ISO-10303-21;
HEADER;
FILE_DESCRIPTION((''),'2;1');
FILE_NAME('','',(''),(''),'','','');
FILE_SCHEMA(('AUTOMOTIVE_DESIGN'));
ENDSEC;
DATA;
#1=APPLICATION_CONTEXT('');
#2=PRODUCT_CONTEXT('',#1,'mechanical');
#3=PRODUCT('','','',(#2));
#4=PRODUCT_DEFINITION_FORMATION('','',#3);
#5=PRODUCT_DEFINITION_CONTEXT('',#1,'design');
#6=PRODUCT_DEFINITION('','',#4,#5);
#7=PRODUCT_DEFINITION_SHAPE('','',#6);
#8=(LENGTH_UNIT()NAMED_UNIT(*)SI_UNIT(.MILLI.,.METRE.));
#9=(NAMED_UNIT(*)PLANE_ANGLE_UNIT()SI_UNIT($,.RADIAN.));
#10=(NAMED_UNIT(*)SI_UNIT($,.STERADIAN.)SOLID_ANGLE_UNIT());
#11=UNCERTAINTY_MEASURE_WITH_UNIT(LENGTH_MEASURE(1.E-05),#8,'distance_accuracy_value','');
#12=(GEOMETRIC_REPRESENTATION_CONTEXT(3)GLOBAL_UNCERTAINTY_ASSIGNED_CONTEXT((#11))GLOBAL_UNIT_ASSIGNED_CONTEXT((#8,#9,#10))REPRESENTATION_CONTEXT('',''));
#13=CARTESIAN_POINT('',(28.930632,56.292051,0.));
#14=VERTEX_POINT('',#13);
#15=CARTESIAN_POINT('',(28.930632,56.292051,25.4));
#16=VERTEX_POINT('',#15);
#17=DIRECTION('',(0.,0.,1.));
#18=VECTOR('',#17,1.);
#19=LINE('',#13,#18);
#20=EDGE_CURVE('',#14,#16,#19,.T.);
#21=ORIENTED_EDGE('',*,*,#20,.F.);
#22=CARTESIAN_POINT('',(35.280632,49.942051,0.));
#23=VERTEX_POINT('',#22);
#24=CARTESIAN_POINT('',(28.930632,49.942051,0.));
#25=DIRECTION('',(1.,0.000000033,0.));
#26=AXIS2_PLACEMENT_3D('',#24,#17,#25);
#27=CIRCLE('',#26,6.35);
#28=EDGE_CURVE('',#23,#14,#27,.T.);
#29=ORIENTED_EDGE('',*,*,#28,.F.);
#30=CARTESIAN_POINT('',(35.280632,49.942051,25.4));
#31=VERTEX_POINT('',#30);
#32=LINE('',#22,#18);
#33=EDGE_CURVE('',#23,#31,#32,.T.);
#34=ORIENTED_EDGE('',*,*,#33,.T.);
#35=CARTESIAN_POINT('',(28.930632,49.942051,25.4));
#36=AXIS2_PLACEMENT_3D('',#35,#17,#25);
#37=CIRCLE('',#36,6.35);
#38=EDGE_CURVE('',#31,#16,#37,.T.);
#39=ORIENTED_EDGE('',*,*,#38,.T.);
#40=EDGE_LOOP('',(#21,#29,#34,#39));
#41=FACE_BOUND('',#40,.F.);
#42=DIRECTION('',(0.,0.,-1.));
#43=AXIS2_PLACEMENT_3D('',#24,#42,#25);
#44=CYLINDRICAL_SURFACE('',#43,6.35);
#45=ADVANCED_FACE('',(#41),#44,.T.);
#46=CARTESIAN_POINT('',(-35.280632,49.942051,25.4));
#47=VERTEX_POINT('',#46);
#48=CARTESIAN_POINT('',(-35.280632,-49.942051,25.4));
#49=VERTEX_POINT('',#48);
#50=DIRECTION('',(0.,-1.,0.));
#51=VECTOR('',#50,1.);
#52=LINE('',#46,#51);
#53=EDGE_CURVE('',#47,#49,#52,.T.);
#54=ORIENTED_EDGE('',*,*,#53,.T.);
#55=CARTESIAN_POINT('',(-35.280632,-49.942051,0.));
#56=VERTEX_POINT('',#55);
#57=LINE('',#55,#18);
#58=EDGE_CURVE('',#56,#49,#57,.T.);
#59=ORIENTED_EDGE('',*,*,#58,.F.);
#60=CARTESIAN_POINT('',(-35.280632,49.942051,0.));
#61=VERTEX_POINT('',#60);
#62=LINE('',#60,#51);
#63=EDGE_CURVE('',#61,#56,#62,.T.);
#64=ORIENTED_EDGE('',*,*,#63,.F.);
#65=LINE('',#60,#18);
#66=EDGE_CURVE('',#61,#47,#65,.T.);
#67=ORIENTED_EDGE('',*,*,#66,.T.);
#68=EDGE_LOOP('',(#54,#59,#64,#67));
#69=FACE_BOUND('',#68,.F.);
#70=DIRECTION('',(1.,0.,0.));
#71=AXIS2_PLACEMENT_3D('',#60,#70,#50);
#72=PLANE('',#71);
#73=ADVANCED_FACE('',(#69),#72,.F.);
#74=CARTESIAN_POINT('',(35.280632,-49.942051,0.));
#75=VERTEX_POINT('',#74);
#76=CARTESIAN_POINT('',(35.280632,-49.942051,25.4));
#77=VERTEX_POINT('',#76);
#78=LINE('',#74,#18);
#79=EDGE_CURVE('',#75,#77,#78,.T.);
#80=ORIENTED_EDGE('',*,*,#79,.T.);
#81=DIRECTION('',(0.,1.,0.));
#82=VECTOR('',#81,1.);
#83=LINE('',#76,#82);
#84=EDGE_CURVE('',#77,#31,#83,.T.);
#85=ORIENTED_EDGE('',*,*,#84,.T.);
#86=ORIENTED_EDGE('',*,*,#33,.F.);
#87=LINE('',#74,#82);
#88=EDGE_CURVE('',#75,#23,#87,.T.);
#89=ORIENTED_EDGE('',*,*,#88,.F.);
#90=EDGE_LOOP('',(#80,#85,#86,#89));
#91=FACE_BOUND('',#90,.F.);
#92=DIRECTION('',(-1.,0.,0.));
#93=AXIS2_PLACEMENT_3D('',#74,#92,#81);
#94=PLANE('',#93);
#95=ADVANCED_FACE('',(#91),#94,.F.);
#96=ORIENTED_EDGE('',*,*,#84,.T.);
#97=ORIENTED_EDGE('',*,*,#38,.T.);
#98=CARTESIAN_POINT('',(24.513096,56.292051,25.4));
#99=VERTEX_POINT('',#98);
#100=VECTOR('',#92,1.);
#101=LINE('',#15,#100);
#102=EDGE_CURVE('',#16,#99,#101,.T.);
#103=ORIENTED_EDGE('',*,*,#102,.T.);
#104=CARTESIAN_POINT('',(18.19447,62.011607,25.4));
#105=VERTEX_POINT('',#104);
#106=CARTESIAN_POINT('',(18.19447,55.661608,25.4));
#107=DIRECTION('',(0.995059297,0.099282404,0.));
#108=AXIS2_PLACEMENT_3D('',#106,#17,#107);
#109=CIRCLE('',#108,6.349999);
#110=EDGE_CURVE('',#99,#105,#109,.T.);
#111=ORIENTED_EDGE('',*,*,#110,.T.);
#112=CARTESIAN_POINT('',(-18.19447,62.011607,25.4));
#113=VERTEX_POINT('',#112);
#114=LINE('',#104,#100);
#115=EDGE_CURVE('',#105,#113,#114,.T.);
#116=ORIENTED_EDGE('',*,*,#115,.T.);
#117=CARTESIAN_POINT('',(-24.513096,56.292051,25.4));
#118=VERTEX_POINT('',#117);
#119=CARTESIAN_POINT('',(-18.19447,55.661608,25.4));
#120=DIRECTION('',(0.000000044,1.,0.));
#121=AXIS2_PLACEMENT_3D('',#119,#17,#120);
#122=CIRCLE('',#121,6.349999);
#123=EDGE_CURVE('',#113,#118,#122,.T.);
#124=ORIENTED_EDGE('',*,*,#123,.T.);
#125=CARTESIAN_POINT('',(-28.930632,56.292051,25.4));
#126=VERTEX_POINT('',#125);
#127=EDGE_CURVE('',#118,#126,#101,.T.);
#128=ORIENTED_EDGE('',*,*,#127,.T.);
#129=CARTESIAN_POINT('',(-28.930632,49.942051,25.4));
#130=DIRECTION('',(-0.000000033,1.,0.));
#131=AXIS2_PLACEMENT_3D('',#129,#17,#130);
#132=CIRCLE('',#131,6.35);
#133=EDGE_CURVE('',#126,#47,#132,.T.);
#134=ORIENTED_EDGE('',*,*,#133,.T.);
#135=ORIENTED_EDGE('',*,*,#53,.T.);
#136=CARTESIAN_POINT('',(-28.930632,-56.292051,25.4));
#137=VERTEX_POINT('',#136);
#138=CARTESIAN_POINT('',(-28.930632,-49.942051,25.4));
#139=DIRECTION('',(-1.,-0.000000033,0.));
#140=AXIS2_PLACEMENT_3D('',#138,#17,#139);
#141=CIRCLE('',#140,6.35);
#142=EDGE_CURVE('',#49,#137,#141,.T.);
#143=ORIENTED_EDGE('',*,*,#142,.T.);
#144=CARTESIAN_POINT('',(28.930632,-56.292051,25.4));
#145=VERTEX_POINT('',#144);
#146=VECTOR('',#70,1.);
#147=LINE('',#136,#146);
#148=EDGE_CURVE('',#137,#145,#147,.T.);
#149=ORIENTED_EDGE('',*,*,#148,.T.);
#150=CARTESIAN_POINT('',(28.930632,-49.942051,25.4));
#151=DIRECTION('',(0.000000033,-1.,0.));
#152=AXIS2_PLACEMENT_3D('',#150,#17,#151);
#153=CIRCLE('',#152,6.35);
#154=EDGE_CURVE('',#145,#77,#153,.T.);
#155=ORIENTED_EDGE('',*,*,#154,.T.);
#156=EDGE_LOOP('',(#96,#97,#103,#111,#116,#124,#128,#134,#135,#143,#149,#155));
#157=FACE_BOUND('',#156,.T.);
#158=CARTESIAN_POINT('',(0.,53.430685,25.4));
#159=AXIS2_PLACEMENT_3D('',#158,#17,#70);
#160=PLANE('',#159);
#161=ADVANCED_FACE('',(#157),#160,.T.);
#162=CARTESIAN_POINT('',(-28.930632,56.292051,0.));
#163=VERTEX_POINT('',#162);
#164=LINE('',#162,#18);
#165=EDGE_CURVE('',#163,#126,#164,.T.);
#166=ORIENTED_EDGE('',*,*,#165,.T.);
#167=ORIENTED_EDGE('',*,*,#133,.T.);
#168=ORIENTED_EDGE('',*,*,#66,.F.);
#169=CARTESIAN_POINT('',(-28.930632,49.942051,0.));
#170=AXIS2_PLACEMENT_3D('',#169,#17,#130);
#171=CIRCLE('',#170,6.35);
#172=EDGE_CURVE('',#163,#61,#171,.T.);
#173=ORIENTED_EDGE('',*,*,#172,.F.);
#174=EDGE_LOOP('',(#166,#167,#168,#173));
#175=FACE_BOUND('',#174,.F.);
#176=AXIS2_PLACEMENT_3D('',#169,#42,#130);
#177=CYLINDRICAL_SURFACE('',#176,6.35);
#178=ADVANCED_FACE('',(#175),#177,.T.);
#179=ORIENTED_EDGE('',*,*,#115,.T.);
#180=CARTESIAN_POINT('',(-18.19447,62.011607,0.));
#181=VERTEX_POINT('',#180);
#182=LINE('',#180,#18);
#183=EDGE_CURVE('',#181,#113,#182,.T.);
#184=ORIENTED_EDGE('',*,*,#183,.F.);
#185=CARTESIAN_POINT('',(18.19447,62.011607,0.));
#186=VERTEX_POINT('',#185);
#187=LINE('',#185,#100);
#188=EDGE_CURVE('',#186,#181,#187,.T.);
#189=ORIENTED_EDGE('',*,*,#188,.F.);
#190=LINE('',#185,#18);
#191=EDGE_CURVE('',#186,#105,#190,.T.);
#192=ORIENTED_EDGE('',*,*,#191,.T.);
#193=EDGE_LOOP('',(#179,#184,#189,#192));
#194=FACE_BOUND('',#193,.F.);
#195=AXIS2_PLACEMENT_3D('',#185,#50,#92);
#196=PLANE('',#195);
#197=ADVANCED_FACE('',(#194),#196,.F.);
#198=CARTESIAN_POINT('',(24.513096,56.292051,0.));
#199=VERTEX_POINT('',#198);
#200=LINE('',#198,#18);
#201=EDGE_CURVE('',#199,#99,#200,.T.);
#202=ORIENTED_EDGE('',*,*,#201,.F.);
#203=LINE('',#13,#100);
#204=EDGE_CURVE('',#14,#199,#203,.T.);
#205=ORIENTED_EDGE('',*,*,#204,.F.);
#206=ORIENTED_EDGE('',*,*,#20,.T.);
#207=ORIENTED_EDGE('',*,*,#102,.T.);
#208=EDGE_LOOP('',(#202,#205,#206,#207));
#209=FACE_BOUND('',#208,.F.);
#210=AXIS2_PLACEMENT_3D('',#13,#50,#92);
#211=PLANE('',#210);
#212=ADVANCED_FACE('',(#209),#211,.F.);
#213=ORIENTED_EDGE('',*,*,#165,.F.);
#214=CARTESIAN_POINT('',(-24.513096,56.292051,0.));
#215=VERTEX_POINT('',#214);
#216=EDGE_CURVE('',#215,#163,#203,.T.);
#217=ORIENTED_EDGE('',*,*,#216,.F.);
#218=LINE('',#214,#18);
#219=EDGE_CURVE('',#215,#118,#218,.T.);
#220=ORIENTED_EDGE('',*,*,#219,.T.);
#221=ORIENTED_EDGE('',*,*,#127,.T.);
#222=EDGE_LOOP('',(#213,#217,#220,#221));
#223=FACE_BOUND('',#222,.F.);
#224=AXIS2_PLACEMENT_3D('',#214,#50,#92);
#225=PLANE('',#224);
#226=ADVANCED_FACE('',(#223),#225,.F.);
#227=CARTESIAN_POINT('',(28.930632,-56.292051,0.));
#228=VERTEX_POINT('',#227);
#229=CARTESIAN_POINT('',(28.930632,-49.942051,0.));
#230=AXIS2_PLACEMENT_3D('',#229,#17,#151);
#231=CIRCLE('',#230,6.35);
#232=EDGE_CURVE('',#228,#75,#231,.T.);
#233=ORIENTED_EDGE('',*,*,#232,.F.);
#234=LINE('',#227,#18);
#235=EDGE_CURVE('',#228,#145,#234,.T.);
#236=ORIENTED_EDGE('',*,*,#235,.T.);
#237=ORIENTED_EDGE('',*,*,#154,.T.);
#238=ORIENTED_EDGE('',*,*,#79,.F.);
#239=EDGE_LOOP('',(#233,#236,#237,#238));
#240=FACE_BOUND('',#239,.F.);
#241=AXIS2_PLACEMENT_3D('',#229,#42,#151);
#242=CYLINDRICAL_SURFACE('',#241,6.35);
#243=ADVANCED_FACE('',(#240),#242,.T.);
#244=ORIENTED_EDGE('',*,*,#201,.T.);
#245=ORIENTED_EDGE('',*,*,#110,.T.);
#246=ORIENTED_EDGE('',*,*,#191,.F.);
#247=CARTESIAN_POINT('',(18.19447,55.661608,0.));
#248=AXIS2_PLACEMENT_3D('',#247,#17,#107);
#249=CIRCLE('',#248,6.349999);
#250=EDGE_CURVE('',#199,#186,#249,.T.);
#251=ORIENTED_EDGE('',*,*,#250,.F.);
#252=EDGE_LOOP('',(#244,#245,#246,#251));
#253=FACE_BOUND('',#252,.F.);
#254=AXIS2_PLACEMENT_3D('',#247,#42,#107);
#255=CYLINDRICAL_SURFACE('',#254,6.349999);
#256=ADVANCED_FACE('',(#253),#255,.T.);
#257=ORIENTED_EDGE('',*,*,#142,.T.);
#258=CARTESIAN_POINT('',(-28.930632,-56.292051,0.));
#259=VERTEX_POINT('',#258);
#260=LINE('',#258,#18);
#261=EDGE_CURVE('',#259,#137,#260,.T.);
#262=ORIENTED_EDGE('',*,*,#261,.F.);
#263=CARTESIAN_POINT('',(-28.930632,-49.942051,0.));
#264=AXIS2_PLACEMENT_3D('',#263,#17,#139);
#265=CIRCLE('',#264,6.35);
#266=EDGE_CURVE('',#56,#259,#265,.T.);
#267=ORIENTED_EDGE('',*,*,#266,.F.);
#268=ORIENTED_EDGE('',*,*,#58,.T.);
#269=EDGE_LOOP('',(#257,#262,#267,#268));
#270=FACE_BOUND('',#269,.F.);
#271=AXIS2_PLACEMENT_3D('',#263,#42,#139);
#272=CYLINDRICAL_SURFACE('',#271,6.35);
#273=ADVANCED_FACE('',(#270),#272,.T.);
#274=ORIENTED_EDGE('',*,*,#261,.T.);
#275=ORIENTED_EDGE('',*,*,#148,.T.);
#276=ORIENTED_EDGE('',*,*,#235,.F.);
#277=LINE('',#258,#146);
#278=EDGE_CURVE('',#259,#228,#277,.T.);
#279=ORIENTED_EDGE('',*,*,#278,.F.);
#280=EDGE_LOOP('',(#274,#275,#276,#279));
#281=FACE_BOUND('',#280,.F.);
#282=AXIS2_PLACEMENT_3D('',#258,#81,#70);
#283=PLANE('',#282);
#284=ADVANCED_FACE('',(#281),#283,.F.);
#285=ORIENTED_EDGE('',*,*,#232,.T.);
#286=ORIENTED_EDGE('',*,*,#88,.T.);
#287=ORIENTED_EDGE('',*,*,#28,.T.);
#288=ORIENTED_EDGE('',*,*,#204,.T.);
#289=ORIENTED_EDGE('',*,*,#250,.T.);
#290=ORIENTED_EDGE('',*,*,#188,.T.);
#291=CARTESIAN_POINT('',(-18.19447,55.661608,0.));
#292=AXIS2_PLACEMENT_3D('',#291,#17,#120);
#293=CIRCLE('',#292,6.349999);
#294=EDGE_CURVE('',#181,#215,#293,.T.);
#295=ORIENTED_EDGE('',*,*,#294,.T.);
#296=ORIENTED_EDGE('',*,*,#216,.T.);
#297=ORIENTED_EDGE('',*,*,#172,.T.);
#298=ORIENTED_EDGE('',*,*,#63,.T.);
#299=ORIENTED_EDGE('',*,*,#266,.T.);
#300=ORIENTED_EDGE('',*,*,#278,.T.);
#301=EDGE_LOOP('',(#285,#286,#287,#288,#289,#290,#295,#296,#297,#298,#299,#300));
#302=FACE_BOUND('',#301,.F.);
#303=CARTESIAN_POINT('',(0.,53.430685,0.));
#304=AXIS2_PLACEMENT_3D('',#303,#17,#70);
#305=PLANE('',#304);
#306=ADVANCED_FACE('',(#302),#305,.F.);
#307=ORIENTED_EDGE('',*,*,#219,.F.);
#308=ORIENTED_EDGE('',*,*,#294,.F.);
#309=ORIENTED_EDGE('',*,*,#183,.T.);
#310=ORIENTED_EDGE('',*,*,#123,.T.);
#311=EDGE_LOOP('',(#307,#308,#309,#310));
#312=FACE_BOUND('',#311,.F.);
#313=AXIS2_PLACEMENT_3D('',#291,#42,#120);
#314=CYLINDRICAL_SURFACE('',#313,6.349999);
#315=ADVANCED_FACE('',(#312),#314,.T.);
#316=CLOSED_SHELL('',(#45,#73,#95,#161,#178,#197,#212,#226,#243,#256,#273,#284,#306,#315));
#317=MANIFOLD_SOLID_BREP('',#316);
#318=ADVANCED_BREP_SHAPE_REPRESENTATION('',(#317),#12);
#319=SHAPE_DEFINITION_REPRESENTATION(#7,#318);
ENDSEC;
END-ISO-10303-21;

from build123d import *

# Parameters (mm, degrees)
F1_DEPTH = 25.4


with BuildPart() as f1:
    # F0 (on Top) → F1 (new body)
    with BuildSketch(Plane.XY):
        with BuildLine():
            ThreePointArc((24.54447, 55.661607), (24.536622, 55.977219), (24.513096, 56.292051))
            Line((24.513096, 56.292051), (-24.513096, 56.292051))
            ThreePointArc((-24.513096, 56.292051), (-24.536622, 55.977219), (-24.54447, 55.661607))
            Line((-24.54447, 55.661607), (-24.54447, 50.572495))
            Line((-24.54447, 50.572495), (24.54447, 50.572495))
            Line((24.54447, 50.572495), (24.54447, 55.661607))
        make_face()
        with BuildLine():
            ThreePointArc((35.280632, 49.942051), (33.42076, 54.432179), (28.930632, 56.292051))
            Line((28.930632, 56.292051), (24.513096, 56.292051))
            ThreePointArc((24.513096, 56.292051), (24.536622, 55.977219), (24.54447, 55.661607))
            Line((24.54447, 55.661607), (24.54447, 50.572495))
            Line((24.54447, 50.572495), (-24.54447, 50.572495))
            Line((-24.54447, 50.572495), (-24.54447, 55.661607))
            ThreePointArc((-24.54447, 55.661607), (-24.536622, 55.977219), (-24.513096, 56.292051))
            Line((-24.513096, 56.292051), (-28.930632, 56.292051))
            ThreePointArc((-28.930632, 56.292051), (-33.42076, 54.432179), (-35.280632, 49.942051))
            Line((-35.280632, 49.942051), (-35.280632, -49.942051))
            ThreePointArc((-35.280632, -49.942051), (-33.42076, -54.432179), (-28.930632, -56.292051))
            Line((-28.930632, -56.292051), (28.930632, -56.292051))
            ThreePointArc((28.930632, -56.292051), (33.42076, -54.432179), (35.280632, -49.942051))
            Line((35.280632, -49.942051), (35.280632, 49.942051))
        make_face()
        with BuildLine():
            Line((-24.513096, 56.292051), (24.513096, 56.292051))
            ThreePointArc((24.513096, 56.292051), (22.455877, 60.369357), (18.19447, 62.011607))
            Line((18.19447, 62.011607), (-18.19447, 62.011607))
            ThreePointArc((-18.19447, 62.011607), (-22.455877, 60.369357), (-24.513096, 56.292051))
        make_face()
    extrude(amount=F1_DEPTH)


solid = f1.part
